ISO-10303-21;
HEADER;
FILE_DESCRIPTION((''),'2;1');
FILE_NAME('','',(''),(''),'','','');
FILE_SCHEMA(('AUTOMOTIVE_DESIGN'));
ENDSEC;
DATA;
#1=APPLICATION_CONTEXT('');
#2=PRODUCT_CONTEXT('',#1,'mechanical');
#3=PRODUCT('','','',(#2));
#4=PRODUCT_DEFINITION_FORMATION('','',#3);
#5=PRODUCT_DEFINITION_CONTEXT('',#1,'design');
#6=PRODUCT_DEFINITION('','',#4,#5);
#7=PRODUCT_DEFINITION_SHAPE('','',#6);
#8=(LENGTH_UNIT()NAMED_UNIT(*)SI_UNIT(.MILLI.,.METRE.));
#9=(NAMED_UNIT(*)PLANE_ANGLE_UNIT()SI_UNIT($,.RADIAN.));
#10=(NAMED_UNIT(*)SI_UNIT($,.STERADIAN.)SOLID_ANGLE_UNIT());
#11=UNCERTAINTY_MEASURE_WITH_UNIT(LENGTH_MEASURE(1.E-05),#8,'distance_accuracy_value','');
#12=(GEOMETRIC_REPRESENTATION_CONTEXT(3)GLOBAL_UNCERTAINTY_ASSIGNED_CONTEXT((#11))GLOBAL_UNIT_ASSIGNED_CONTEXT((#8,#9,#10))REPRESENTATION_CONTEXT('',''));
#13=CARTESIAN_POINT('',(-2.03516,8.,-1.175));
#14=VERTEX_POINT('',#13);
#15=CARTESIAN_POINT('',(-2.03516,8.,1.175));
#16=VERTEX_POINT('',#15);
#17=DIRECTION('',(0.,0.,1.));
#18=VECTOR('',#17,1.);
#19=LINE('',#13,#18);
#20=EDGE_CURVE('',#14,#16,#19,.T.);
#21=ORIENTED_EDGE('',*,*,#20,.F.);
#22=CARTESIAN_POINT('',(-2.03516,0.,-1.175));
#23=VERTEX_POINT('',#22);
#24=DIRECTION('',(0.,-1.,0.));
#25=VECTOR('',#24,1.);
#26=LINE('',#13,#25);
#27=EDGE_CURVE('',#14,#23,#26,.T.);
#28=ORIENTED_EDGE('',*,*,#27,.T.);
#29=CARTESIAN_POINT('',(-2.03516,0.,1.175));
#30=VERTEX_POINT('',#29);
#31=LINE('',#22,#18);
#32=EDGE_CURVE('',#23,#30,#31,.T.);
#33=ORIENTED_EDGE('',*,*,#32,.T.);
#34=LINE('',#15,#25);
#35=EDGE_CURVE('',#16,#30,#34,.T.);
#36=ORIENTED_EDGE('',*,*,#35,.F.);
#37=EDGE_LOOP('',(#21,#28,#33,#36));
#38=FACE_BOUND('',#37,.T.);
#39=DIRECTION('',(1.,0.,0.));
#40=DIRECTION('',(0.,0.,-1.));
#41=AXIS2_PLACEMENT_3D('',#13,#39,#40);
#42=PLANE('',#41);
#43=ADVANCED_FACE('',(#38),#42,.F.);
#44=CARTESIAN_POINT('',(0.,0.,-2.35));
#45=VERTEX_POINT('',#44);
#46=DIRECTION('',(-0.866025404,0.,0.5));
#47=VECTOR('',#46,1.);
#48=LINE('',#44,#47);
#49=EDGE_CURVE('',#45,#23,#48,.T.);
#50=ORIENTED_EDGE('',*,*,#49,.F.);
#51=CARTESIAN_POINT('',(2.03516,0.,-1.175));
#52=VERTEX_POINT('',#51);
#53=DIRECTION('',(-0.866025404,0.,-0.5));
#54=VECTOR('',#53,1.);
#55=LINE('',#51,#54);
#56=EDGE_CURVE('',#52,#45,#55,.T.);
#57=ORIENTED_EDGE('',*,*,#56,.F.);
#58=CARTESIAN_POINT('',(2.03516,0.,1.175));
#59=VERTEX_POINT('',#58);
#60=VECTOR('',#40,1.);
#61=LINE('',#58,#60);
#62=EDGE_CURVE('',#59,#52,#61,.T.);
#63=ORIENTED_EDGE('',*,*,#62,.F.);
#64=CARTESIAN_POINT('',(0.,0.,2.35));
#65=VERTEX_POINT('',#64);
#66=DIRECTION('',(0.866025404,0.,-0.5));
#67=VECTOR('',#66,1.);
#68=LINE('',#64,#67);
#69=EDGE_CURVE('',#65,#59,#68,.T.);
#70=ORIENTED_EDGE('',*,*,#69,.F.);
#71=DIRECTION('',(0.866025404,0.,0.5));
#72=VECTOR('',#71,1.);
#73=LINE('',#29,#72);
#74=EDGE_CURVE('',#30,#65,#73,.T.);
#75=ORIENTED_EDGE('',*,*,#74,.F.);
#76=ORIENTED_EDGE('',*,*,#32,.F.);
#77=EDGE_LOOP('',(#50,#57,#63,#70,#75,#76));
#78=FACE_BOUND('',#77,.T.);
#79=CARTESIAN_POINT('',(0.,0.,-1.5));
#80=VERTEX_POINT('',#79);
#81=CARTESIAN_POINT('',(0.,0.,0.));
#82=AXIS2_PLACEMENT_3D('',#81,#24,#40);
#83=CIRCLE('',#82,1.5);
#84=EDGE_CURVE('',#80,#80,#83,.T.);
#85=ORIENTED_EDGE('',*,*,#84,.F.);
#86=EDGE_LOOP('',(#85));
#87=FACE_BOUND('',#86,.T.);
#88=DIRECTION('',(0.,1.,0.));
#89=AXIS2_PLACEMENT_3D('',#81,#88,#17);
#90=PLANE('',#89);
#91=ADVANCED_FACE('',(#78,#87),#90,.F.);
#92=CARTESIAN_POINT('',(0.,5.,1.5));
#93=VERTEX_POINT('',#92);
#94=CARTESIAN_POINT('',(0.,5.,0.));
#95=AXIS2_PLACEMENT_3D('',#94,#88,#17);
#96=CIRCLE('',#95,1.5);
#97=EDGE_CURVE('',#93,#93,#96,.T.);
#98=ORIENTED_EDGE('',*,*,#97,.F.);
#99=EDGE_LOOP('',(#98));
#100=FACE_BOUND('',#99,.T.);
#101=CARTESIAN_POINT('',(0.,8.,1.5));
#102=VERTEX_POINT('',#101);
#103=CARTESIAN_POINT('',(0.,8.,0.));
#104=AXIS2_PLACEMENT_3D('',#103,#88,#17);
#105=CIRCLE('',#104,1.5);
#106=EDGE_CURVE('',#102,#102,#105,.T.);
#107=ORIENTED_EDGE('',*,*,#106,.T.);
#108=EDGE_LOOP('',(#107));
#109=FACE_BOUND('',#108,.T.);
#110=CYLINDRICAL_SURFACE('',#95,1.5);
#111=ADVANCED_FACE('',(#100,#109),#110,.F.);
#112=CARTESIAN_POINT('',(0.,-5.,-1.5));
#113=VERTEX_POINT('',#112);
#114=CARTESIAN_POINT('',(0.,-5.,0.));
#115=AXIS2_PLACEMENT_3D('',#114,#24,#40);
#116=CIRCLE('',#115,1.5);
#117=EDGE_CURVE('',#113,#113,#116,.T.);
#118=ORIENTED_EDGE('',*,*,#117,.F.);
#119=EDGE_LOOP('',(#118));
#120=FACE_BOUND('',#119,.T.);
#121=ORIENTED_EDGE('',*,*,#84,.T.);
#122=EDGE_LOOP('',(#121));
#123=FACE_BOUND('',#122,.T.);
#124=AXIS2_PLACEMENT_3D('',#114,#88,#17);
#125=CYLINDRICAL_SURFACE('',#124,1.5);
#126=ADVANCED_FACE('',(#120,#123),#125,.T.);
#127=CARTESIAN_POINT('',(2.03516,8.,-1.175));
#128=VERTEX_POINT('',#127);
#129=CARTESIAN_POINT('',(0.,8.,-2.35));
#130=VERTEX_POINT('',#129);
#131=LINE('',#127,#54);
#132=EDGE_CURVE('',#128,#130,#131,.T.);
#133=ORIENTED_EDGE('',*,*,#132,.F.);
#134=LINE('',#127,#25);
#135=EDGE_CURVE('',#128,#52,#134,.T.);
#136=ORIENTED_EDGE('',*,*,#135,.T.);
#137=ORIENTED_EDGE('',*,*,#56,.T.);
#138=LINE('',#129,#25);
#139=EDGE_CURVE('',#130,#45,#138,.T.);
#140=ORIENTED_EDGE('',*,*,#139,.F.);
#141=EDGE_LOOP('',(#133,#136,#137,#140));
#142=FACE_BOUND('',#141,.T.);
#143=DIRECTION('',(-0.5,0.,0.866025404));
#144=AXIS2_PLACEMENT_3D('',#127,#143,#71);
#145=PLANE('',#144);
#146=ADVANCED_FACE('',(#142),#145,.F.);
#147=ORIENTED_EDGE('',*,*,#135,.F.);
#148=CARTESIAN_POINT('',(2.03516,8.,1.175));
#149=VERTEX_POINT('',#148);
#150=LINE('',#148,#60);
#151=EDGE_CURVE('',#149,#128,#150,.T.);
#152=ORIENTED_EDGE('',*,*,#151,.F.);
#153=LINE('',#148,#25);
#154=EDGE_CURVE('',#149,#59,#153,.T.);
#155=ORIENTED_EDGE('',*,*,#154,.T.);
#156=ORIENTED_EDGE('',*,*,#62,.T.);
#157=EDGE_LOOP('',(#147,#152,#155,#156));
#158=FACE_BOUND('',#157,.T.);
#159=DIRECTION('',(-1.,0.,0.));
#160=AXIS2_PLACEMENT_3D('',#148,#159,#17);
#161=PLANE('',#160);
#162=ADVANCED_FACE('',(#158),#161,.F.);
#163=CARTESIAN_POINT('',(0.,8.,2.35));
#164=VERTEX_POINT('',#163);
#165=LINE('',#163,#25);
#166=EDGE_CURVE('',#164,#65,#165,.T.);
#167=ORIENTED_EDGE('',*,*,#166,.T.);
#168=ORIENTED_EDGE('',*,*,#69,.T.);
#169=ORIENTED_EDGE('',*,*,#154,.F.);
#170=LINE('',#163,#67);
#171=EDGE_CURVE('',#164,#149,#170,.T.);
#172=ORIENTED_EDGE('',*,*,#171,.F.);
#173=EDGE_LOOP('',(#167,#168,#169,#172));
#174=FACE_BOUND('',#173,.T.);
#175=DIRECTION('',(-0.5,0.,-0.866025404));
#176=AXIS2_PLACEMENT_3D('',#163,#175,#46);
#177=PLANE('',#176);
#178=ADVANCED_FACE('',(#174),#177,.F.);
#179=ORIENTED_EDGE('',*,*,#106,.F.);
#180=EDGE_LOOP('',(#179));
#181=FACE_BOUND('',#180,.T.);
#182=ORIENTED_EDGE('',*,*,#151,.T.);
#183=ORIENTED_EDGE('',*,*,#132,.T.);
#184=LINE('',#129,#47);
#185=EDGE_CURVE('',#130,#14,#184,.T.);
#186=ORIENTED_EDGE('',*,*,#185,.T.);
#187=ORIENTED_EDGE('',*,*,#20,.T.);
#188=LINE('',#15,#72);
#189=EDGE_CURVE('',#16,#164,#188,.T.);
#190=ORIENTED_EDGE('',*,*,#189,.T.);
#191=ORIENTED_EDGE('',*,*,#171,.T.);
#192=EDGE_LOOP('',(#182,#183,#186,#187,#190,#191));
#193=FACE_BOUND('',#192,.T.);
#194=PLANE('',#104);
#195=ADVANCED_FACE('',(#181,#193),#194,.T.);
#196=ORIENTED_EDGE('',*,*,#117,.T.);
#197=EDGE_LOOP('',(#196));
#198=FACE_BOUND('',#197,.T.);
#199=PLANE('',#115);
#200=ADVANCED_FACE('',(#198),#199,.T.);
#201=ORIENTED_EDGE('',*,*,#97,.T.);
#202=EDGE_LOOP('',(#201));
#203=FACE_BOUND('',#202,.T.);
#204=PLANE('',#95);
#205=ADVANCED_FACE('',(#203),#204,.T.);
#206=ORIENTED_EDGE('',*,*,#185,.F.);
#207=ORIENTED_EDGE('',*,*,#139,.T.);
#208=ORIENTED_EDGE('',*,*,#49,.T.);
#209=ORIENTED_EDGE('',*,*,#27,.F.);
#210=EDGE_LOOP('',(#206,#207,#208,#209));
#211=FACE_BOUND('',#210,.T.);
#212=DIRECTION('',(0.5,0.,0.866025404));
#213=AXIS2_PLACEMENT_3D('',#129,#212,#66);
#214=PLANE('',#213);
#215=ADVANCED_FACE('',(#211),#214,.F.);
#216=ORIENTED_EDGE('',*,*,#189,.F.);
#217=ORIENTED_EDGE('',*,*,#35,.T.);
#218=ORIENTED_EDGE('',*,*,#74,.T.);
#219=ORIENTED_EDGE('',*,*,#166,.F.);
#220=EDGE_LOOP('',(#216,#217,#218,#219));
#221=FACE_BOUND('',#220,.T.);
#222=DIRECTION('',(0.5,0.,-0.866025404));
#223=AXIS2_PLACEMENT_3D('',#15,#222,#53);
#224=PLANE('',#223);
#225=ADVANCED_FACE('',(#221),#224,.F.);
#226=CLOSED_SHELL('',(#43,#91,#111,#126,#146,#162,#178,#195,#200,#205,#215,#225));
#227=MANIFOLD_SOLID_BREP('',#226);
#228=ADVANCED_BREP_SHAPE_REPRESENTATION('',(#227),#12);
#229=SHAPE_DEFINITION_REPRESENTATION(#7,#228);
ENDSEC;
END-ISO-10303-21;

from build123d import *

# Parameters (mm, degrees)
EXTRUDE_1_DEPTH     = 8
SKETCH_2_R          = 1.5
CUT_EXTRUDE_1_DEPTH = 3
SKETCH_3_R          = 1.5
EXTRUDE_2_DEPTH     = 5


with BuildPart() as part:
    # 草图1 → 凸台-拉伸1 (new body)
    with BuildSketch(Plane(origin=(0, 0, 0), x_dir=(1, 0, 0), z_dir=(0, 1, 0))):
        Polygon((0, 2.35), (-2.035159699, 1.175), (-2.035159699, -1.175), (0, -2.35), (2.035159699, -1.175), (2.035159699, 1.175), align=None)
    extrude(amount=EXTRUDE_1_DEPTH)

    # 草图2 → 切除-拉伸1 (cut)
    with BuildSketch(Plane(origin=(0, 8, 0), x_dir=(1, 0, 0), z_dir=(0, 1, 0))):
        with Locations(Location((0, 0, 0), (0, 0, 270))):
            Circle(SKETCH_2_R)
    extrude(amount=-CUT_EXTRUDE_1_DEPTH, mode=Mode.SUBTRACT)

    # 草图3 → 凸台-拉伸2 (add)
    with BuildSketch(Plane.XZ):
        with Locations(Location((0, 0, 0), (0, 0, 90))):
            Circle(SKETCH_3_R)
    extrude(amount=EXTRUDE_2_DEPTH)


solid = part.part
